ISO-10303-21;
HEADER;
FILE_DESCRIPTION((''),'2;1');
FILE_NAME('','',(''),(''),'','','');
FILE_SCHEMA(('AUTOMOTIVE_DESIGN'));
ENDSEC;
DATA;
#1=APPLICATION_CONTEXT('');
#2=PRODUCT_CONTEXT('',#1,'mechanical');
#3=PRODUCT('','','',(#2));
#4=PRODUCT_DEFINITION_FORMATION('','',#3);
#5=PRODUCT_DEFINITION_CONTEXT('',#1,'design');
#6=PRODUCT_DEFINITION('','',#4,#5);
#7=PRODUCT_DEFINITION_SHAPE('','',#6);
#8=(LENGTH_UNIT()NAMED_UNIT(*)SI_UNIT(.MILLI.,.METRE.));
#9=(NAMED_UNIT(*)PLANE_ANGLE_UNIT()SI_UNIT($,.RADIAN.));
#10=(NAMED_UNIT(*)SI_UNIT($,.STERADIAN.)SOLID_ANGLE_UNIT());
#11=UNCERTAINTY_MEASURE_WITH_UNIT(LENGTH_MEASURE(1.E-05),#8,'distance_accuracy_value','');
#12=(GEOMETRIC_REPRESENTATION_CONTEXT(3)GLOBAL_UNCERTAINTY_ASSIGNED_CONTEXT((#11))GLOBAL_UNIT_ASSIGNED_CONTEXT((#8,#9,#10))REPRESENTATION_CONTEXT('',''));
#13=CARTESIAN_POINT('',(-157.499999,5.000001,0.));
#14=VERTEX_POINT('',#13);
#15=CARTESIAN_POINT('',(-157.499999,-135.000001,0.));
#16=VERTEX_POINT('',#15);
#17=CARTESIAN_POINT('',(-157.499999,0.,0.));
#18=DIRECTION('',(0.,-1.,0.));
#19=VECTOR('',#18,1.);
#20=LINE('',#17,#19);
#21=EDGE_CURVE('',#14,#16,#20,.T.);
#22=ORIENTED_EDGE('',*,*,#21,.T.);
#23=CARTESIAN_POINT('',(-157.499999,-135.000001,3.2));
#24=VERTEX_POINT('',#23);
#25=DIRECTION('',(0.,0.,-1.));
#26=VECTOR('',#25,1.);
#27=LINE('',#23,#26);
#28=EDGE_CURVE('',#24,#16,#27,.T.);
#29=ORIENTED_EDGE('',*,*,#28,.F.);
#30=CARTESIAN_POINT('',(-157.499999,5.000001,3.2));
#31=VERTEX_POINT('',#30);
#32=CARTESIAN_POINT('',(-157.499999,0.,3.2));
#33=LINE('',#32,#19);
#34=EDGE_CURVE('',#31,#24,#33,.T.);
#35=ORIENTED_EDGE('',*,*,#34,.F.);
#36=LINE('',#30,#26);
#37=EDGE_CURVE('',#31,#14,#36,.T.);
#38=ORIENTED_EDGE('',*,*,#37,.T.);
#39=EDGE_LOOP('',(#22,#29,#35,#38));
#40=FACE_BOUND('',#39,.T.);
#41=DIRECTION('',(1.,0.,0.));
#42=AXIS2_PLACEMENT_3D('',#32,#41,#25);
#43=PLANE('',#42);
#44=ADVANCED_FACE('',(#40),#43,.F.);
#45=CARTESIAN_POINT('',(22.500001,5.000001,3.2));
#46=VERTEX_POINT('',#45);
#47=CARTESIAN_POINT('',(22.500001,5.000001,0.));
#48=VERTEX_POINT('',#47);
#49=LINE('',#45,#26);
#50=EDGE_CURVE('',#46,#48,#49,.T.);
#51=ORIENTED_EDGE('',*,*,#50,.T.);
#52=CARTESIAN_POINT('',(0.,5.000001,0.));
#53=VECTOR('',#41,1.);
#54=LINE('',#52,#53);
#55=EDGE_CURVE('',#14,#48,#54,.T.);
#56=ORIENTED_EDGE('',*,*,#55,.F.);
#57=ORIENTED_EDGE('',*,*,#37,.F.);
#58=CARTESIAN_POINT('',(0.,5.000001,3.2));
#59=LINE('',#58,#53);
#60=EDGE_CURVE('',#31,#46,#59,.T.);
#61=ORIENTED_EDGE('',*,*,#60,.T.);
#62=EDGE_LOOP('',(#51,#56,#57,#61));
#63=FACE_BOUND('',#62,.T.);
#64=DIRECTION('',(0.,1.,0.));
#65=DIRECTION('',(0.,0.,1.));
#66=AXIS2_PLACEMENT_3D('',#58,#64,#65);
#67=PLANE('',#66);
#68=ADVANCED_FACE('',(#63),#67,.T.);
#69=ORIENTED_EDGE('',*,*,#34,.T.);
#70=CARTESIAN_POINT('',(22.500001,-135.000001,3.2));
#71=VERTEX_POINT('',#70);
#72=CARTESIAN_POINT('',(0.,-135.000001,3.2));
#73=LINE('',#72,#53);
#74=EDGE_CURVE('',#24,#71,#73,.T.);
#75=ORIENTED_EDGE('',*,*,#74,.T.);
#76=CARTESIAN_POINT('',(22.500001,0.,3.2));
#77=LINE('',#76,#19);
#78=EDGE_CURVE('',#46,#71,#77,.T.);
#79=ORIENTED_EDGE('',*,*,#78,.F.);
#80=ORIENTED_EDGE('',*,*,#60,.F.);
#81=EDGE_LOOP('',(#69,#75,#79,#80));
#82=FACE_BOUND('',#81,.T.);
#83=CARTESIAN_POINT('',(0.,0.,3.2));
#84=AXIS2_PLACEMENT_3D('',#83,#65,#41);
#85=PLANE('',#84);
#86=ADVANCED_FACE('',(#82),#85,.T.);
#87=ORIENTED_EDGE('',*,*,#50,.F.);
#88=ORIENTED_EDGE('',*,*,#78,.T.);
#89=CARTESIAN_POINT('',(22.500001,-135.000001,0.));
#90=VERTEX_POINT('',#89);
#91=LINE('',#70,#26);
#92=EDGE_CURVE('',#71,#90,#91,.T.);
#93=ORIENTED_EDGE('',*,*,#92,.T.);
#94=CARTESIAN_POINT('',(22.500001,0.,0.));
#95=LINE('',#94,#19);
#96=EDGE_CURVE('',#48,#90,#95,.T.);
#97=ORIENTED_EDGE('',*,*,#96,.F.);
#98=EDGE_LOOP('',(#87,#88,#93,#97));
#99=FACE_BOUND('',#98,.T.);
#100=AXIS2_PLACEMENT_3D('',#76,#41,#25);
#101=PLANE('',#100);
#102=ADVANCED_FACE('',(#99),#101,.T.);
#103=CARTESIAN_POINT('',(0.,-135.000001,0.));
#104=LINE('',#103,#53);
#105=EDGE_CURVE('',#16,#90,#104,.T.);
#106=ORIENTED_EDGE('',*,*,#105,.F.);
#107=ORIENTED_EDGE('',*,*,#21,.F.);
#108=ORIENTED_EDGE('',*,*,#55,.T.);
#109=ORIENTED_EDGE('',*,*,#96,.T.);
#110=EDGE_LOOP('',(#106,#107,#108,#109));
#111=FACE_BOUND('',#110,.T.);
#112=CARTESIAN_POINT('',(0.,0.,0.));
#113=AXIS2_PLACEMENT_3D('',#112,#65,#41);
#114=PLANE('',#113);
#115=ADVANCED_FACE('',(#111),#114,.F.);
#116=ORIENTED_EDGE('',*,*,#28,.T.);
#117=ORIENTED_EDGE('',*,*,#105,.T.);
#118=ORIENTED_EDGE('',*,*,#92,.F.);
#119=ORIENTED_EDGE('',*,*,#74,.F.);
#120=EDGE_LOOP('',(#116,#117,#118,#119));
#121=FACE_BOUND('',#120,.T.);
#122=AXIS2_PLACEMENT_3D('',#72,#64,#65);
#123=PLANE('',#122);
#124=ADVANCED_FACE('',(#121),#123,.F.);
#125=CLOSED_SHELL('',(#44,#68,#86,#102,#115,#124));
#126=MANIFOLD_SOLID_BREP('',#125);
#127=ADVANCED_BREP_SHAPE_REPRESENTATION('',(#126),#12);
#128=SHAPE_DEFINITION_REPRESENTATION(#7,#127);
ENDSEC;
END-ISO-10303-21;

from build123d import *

# Parameters (mm, degrees)
BOSS_EXTRUDE1_DEPTH = 3.2


with BuildPart() as part:
    # Sketch1 → Boss-Extrude1 (new body)
    with BuildSketch(Plane.XY):
        Polygon((22.500001148, -135.00000127), (22.500001148, -125.000000308), (22.500001148, -5.000000308), (22.500001148, 5.000000654), (12.500000186, 5.000000654), (-147.499999814, 5.000000654), (-157.49999917, 5.000000654), (-157.49999917, -5.000000308), (-157.49999917, -125.000000308), (-157.49999917, -135.00000127), (12.500000186, -135.00000127), align=None)
    extrude(amount=BOSS_EXTRUDE1_DEPTH)


solid = part.part
